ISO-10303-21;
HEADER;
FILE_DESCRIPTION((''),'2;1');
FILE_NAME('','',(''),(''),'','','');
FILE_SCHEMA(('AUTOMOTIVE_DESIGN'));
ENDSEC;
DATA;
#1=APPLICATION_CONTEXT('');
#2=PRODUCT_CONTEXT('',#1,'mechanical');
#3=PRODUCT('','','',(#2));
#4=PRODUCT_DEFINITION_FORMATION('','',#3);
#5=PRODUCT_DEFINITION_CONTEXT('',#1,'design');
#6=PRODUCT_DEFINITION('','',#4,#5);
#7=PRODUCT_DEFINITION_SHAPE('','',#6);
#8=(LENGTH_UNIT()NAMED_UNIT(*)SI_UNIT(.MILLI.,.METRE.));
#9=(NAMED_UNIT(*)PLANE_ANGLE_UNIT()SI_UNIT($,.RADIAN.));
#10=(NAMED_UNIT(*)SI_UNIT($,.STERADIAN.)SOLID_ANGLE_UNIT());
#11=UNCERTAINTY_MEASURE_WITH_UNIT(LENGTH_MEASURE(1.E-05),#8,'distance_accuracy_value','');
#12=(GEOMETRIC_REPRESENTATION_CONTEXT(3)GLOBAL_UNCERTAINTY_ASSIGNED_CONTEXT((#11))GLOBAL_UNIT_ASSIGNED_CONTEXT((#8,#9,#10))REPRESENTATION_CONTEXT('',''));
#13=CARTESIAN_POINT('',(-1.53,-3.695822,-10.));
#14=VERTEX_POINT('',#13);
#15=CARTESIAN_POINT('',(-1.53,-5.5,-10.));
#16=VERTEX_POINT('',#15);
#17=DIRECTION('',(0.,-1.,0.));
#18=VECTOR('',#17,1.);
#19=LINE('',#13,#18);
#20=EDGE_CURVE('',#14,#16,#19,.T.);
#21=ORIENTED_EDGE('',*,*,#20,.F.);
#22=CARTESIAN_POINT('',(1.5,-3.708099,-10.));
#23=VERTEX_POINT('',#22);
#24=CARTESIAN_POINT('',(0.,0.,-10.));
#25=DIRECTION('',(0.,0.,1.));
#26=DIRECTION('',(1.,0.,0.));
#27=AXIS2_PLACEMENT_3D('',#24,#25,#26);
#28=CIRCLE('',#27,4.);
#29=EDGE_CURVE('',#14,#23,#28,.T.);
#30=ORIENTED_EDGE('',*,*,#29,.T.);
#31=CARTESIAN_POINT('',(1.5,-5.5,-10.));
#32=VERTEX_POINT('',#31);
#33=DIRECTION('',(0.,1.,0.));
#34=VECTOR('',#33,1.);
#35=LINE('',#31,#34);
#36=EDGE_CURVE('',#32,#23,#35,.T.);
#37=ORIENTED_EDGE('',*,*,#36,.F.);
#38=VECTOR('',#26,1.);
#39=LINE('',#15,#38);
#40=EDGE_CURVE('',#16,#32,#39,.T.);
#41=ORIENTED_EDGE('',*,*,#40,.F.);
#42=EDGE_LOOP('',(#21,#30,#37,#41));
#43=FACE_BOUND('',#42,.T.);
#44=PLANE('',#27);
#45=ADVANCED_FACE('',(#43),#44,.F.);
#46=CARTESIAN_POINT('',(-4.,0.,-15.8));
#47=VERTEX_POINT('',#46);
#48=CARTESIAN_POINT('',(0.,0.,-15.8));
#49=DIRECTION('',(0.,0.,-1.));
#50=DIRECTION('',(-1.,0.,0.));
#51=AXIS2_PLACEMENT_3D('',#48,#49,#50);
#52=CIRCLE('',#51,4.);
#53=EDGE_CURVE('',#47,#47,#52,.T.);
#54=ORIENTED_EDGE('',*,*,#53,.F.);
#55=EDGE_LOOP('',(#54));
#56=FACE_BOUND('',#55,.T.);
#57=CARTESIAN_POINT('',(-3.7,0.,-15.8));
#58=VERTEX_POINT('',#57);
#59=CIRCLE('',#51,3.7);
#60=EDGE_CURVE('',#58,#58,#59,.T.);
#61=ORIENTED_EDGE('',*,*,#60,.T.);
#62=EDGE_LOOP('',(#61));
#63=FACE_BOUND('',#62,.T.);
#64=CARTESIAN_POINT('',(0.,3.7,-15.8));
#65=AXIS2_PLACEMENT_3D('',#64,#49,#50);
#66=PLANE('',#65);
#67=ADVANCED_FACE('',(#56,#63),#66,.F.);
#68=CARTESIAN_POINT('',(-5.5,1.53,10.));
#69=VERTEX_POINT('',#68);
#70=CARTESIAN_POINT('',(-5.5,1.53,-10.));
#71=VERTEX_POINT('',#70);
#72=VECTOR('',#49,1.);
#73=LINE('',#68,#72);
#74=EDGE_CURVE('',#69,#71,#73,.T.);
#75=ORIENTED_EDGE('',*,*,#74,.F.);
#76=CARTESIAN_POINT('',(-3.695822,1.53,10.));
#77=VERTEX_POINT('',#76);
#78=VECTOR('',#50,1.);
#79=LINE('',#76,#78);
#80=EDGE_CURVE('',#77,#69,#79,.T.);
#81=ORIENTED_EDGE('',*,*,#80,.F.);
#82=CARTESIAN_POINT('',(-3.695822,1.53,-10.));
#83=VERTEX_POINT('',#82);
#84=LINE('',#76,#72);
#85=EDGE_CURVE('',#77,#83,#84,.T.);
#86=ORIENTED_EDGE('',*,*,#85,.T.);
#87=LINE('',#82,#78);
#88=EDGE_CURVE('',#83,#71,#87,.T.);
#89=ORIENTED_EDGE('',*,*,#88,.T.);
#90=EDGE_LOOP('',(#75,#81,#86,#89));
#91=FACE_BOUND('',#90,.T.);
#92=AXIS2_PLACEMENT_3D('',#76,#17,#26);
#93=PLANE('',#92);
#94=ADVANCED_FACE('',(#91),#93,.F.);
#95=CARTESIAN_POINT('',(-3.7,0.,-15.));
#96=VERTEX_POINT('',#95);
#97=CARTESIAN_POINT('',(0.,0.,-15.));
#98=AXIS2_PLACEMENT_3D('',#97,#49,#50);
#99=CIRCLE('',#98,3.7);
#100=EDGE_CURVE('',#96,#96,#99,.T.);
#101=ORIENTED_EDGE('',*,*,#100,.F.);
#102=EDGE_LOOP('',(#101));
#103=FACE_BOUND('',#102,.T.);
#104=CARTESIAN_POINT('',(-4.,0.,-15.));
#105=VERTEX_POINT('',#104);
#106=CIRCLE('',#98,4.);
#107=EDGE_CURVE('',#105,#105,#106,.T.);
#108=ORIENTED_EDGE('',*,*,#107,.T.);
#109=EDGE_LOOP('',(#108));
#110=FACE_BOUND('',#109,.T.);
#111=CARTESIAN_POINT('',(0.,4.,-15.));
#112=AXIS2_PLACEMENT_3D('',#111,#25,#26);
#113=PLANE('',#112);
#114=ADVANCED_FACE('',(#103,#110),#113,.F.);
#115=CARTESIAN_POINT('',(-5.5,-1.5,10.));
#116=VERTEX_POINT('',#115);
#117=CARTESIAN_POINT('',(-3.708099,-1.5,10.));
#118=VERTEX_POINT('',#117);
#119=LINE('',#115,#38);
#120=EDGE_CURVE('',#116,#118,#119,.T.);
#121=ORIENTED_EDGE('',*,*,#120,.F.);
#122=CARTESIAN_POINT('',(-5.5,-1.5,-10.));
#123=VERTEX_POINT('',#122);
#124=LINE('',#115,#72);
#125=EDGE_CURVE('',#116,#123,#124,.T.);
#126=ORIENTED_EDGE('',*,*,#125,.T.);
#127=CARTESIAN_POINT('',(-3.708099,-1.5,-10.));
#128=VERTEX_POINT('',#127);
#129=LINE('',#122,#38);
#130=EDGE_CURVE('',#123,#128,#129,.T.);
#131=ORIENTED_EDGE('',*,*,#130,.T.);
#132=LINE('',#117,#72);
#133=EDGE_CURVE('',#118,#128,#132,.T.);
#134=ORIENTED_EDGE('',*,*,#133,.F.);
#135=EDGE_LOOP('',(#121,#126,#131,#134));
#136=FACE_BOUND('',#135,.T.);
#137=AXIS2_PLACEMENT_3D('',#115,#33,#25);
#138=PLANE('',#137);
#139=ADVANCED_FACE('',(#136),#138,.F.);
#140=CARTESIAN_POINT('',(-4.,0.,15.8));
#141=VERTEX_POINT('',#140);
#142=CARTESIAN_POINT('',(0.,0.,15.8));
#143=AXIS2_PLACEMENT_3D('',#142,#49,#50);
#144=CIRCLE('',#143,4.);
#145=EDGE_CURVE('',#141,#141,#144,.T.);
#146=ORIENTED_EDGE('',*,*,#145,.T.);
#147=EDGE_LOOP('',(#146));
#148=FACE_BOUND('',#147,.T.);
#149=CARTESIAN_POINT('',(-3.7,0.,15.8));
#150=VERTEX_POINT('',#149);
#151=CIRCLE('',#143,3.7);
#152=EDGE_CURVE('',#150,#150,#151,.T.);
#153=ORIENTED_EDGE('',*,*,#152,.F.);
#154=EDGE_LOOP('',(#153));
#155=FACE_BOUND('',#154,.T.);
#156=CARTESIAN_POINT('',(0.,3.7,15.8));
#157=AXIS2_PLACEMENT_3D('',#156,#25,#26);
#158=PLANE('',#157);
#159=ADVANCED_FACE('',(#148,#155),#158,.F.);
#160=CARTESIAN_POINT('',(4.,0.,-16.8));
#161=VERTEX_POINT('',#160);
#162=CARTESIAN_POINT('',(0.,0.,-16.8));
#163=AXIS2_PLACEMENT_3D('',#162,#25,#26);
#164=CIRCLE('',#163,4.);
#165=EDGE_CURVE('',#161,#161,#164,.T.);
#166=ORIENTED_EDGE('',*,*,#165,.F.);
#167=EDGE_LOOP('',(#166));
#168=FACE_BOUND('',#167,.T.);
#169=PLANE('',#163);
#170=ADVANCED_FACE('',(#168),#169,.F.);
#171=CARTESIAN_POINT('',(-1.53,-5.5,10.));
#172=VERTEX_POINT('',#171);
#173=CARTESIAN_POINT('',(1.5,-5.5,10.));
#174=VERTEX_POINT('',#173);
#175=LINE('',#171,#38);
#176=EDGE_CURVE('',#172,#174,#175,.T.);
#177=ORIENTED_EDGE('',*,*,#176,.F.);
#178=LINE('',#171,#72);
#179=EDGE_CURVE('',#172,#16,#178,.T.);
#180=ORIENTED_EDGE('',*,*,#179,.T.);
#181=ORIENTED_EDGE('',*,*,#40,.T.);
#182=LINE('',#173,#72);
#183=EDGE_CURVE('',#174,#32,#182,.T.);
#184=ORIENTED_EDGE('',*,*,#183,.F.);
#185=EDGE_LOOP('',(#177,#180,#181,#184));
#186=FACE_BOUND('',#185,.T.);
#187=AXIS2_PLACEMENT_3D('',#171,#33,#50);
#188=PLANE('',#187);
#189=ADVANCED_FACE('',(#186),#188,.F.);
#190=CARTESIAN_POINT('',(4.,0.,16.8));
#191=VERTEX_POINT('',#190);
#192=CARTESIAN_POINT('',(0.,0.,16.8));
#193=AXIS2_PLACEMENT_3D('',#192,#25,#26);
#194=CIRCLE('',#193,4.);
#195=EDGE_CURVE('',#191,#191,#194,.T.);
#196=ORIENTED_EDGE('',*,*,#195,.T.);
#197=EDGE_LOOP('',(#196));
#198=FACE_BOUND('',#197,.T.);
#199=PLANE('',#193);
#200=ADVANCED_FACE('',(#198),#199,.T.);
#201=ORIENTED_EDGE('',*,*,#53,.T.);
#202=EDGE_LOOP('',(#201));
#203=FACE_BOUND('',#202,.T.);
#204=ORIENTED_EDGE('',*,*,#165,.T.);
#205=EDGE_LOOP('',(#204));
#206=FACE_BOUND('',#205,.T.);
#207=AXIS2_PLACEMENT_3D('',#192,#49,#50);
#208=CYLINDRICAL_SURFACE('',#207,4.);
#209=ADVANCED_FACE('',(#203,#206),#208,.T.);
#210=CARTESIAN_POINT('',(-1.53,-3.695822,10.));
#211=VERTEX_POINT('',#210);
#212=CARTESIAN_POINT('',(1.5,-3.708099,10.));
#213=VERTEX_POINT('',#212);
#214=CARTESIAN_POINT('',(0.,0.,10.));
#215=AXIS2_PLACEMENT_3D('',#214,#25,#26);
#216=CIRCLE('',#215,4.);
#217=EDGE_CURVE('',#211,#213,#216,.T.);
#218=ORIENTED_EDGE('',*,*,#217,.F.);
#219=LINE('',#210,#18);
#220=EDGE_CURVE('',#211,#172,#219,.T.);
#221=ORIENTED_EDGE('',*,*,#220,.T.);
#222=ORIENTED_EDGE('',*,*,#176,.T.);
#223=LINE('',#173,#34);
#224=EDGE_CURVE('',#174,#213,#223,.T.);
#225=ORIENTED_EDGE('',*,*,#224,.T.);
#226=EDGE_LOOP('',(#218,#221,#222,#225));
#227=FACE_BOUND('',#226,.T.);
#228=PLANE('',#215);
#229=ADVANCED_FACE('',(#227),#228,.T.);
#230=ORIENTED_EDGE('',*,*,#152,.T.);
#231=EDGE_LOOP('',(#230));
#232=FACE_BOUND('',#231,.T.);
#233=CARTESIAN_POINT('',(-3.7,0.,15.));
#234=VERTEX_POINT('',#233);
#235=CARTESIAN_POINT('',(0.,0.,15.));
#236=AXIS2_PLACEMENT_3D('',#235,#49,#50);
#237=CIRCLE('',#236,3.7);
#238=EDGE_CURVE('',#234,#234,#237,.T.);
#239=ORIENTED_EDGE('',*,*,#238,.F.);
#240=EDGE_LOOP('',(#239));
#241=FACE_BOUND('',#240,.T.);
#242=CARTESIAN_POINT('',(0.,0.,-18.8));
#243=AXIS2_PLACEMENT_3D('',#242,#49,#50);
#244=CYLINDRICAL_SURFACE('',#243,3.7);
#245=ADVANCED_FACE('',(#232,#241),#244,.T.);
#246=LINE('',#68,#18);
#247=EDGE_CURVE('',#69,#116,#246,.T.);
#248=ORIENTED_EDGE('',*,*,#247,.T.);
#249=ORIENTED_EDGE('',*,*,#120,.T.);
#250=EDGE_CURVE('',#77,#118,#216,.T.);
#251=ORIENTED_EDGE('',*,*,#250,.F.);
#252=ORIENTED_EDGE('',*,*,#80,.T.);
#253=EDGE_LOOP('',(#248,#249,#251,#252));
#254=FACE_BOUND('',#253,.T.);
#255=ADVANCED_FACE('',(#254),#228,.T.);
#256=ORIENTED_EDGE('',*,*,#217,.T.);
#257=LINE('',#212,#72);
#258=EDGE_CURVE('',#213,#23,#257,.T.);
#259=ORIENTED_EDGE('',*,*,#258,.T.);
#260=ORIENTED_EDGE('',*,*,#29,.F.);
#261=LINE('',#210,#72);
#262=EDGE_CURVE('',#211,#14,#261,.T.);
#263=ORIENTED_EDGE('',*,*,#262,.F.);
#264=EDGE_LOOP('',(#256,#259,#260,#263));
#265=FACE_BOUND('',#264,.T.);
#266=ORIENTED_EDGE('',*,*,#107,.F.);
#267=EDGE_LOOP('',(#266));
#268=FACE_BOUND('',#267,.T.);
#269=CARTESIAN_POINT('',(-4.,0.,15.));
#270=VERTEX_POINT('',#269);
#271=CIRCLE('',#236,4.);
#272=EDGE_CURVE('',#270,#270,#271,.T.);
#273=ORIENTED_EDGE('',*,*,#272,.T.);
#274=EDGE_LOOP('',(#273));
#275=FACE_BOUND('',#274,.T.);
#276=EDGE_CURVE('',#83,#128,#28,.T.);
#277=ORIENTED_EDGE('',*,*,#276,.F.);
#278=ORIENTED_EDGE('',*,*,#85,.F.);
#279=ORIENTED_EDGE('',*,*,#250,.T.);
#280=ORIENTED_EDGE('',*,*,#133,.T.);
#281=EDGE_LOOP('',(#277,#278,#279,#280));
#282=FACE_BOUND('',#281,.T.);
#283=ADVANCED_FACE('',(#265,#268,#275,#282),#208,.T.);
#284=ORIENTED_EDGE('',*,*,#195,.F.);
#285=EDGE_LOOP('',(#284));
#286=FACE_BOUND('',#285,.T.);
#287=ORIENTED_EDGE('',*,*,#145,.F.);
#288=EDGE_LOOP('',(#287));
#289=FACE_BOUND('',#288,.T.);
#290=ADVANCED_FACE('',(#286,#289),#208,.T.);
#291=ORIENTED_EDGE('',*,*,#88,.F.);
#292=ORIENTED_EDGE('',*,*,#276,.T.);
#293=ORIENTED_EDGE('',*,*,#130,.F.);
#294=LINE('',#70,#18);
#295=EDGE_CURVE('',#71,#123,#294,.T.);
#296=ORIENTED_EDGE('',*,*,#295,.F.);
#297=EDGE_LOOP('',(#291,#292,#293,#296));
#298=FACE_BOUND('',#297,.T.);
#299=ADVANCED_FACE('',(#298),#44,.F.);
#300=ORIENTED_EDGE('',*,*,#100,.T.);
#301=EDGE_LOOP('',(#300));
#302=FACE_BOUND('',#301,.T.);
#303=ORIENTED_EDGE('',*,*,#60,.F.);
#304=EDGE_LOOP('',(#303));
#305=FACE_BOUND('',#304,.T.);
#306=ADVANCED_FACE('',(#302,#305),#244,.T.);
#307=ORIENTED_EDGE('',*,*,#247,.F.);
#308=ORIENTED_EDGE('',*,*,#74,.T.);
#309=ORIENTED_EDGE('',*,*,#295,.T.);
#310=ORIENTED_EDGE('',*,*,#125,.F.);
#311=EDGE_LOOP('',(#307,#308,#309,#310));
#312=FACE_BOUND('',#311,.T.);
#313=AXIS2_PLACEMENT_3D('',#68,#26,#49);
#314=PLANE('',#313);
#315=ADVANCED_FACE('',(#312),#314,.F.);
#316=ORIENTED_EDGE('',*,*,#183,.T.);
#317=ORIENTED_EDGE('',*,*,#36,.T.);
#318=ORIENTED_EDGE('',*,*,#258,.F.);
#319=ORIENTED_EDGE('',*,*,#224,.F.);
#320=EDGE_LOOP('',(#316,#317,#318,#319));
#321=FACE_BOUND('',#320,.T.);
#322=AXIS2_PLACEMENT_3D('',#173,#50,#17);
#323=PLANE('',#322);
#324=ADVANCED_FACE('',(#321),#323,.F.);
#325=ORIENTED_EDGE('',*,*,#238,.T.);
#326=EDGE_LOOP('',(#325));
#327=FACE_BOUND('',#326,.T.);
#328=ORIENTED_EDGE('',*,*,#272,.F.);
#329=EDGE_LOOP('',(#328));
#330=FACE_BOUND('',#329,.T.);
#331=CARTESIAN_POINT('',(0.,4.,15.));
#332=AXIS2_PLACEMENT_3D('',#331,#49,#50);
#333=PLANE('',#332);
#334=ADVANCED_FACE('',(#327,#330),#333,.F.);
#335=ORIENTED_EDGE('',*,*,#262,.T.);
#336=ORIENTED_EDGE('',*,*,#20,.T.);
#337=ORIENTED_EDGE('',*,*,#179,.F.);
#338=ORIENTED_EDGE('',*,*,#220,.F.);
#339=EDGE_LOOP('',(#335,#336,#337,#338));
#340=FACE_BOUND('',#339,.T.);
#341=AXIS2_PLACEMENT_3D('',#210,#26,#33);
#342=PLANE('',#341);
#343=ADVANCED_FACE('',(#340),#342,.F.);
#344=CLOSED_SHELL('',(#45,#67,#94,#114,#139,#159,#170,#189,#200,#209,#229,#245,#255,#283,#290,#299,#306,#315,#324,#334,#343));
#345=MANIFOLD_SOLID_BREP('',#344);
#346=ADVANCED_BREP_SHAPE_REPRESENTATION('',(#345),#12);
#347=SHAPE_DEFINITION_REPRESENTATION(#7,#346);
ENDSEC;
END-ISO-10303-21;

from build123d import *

# Parameters (mm, degrees)
SKETCH_1_R      = 4
EXTRUDE_1_DEPTH = 16.8
SKETCH_2_W      = 0.8
SKETCH_2_H      = 0.3
EXTRUDE_2_DEPTH = 10


with BuildPart() as part:
    # 草图1 → 凸台-拉伸1 (new body, symmetric)
    with BuildSketch(Plane.XY):
        Circle(SKETCH_1_R)
    extrude(amount=EXTRUDE_1_DEPTH, both=True)

    # 草图2 → 切除-旋转1 (revolve, cut)
    with BuildSketch(Plane(origin=(0, 0, 0), x_dir=(0, 0, -1), z_dir=(1, 0, 0))):
        with Locations((-15.4, 3.85)):
            Rectangle(SKETCH_2_W, SKETCH_2_H)
        with Locations((15.4, 3.85)):
            Rectangle(SKETCH_2_W, SKETCH_2_H)
    revolve(axis=Axis((0, 0, -18.8), (0, 0, 1)), mode=Mode.SUBTRACT)

    # 草图3 → 凸台-拉伸2 (add, symmetric)
    with BuildSketch(Plane(origin=(0, 0, 0), x_dir=(-1, 0, 0), z_dir=(0, 0, 1))):
        with BuildLine():
            Line((5.5, 1.5), (3.708099, 1.5))
            ThreePointArc((3.708099, 1.5), (2.839864, 2.816943), (1.53, 3.695822))
            Line((1.53, 3.695822), (1.53, 5.5))
            Line((1.53, 5.5), (-1.5, 5.5))
            Line((-1.5, 5.5), (-1.5, 3.708099))
            ThreePointArc((-1.5, 3.708099), (-2.839864, -2.816943), (3.695822, -1.53))
            Line((3.695822, -1.53), (5.5, -1.53))
            Line((5.5, -1.53), (5.5, 1.5))
        make_face()
    extrude(amount=EXTRUDE_2_DEPTH, both=True)


solid = part.part
